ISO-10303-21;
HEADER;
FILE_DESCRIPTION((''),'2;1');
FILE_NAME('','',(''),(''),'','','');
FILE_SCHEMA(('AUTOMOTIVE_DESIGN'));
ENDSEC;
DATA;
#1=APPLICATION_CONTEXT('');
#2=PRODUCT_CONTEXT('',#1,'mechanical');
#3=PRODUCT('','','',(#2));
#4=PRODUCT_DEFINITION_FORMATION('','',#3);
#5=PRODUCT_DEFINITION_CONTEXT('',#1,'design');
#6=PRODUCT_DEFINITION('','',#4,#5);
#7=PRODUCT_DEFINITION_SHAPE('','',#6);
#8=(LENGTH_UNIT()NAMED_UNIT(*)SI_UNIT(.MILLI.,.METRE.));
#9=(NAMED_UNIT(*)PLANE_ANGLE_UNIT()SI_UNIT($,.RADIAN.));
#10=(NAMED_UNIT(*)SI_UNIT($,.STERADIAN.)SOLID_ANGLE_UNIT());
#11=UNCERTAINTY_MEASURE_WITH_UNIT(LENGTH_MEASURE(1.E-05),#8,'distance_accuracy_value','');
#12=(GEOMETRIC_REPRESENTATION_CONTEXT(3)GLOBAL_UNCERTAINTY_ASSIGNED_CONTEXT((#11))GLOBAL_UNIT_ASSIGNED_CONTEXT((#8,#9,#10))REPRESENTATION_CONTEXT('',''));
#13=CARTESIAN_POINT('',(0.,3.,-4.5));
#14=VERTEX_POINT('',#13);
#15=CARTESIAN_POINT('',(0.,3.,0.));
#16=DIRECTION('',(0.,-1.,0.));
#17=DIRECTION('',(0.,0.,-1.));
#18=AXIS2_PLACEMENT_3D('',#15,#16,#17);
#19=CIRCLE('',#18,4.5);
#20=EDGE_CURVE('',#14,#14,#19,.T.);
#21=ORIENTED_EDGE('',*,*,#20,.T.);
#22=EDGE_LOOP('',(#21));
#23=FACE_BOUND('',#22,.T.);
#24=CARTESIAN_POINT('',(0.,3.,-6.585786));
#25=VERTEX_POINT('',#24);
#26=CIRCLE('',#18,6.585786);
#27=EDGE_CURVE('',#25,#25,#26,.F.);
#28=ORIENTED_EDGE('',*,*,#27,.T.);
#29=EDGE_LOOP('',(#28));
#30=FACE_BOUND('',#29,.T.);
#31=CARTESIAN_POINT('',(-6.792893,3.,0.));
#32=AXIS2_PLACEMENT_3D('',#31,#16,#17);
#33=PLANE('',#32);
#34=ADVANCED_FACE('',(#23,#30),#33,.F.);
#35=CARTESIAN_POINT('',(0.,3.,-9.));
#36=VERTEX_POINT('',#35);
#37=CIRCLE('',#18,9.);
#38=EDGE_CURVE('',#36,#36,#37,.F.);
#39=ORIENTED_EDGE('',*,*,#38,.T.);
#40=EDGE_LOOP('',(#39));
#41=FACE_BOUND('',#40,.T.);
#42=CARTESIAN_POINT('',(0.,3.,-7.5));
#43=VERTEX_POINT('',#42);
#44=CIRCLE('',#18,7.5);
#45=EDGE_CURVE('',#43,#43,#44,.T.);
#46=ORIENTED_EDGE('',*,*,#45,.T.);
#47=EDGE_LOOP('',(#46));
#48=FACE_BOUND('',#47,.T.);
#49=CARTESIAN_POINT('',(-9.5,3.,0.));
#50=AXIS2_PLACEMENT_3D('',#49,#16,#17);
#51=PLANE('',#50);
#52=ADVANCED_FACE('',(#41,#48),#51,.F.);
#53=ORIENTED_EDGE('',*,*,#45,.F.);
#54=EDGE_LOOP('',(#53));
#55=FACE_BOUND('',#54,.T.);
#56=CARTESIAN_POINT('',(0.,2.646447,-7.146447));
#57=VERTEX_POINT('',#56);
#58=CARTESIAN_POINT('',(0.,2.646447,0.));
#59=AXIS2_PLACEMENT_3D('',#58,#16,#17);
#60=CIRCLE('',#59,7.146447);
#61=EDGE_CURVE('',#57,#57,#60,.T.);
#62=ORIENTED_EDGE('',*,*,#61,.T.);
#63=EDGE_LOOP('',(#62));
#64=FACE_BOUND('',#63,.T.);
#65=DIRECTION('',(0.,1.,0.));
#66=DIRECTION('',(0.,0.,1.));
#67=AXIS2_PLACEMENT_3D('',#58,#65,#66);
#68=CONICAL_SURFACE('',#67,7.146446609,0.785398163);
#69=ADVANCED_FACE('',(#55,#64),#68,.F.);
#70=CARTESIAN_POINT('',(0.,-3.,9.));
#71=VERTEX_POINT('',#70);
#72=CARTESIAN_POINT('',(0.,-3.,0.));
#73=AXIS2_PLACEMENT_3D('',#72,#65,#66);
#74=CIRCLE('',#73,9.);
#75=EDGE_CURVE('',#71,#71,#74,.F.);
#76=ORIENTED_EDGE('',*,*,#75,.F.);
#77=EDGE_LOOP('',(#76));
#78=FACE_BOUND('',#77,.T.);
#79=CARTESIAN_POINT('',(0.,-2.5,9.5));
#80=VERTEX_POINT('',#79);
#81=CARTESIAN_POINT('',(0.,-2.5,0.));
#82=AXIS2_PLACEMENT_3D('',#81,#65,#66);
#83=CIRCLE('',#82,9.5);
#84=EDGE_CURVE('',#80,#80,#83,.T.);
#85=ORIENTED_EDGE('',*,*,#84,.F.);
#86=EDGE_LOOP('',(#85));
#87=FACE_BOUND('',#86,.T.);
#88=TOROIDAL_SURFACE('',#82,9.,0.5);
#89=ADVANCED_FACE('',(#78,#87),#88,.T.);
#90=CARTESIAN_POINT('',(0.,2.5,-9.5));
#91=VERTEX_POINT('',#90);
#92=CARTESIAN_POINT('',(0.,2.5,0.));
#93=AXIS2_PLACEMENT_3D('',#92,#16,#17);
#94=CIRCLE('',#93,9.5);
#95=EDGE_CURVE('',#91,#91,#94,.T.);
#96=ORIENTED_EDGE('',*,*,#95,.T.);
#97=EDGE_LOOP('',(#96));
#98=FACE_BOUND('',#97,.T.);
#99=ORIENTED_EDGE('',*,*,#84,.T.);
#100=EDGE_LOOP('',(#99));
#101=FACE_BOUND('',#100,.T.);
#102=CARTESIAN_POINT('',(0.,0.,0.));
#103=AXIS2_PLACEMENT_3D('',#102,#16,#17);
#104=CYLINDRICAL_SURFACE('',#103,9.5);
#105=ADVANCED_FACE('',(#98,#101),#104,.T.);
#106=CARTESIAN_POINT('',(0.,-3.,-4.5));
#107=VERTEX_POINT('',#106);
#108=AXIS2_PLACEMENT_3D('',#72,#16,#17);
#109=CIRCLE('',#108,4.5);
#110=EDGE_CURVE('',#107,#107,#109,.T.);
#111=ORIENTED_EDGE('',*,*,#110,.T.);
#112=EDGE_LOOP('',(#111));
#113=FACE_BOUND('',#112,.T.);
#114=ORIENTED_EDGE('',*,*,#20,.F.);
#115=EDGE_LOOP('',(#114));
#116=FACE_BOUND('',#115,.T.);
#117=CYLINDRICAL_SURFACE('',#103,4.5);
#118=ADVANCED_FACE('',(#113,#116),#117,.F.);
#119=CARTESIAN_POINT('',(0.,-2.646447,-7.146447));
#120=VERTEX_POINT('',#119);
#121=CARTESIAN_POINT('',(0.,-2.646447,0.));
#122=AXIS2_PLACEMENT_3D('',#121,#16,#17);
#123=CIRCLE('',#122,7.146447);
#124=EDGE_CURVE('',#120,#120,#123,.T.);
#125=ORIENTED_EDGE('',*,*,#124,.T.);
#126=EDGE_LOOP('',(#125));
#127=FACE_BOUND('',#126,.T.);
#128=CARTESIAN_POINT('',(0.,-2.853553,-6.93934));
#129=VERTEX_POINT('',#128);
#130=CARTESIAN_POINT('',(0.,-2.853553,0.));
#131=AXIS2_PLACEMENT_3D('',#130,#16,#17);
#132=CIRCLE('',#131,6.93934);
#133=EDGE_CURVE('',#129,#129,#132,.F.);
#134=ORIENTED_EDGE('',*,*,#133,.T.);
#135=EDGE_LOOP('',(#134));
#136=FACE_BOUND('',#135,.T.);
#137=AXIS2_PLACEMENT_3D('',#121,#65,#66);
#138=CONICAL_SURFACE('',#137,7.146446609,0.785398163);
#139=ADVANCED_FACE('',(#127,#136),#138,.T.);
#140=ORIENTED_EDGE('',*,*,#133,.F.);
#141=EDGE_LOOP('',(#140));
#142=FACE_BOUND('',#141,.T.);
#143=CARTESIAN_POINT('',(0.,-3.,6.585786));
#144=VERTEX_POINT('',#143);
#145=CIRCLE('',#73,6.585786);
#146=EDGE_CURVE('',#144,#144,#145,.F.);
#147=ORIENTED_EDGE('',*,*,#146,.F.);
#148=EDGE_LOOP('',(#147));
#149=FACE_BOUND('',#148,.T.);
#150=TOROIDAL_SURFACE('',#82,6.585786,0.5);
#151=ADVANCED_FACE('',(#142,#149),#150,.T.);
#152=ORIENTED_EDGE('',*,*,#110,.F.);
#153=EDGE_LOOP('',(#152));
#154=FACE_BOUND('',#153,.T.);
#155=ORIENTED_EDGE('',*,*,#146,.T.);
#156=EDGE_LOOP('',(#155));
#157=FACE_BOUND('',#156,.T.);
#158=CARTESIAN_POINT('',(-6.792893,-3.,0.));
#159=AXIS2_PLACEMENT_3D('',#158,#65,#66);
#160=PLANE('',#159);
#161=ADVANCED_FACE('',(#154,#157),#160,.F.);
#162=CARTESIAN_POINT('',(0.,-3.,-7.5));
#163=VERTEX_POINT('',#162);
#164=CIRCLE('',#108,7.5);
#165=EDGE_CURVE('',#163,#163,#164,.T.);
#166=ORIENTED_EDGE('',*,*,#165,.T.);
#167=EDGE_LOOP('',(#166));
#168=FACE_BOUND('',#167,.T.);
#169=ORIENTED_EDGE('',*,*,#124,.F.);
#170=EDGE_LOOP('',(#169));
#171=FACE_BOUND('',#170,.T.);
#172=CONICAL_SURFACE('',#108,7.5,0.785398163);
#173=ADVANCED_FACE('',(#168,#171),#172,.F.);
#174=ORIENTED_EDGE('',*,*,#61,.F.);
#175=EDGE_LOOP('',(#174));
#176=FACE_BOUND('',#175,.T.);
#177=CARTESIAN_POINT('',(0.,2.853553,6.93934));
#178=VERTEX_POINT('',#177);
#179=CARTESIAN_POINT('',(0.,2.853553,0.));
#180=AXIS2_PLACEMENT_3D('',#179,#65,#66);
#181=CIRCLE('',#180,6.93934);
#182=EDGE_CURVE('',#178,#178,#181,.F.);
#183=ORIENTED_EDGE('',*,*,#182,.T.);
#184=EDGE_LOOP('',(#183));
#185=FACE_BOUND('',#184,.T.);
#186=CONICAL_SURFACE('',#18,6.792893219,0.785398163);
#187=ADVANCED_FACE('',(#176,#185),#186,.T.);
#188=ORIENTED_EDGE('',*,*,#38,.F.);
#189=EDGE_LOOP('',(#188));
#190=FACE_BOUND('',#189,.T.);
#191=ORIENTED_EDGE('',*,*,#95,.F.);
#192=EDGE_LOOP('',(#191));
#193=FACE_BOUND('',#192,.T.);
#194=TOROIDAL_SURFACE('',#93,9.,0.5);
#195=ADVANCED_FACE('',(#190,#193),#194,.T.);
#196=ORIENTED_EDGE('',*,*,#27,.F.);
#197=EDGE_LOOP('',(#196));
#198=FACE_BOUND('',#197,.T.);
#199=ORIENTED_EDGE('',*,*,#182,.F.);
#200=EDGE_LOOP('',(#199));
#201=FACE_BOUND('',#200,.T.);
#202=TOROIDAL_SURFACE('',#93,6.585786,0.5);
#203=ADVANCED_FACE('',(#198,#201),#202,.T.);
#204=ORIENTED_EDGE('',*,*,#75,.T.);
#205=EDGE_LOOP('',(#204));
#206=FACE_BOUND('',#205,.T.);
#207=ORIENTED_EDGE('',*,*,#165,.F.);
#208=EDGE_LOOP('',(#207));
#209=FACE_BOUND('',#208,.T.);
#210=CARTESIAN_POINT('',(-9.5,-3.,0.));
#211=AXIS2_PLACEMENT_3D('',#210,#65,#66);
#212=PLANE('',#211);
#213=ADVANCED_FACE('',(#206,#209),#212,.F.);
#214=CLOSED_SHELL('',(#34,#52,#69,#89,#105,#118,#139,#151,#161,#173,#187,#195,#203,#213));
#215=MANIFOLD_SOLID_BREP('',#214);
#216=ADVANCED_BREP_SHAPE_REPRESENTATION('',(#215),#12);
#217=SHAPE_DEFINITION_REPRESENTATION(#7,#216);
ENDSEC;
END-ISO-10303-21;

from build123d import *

# Parameters (mm, degrees)
CONG_2_R = 0.5
CONG_3_R = 0.5


with BuildPart() as part:
    # Esquisse1 → Révolution1 (revolve)
    with BuildSketch(Plane.XY, mode=Mode.PRIVATE) as r_volution1_sk:
        Polygon((-9.5, -3), (-9.5, 3), (-7.5, 3), (-7.146446609, 2.646446609), (-6.792893219, 3), (-4.5, 3), (-4.5, -3), (-6.792893219, -3), (-7.146446609, -2.646446609), (-7.5, -3), align=None)
    revolve(r_volution1_sk.sketch.rotate(Axis((0, 0, 0), (0, 1, 0)), 270), axis=Axis((0, 0, 0), (0, 1, 0)))

    # Congé2
    cong_2_edges = [part.edges().sort_by_distance(p)[0] for p in [
        (0, 3, 6.792893219),
        (0, -3, 6.792893219),
    ]]
    fillet(cong_2_edges, radius=CONG_2_R)

    # Congé3
    cong_3_edges = [part.edges().sort_by_distance(p)[0] for p in [
        (0, 3, 9.5),
        (0, -3, 9.5),
    ]]
    fillet(cong_3_edges, radius=CONG_3_R)


solid = part.part
